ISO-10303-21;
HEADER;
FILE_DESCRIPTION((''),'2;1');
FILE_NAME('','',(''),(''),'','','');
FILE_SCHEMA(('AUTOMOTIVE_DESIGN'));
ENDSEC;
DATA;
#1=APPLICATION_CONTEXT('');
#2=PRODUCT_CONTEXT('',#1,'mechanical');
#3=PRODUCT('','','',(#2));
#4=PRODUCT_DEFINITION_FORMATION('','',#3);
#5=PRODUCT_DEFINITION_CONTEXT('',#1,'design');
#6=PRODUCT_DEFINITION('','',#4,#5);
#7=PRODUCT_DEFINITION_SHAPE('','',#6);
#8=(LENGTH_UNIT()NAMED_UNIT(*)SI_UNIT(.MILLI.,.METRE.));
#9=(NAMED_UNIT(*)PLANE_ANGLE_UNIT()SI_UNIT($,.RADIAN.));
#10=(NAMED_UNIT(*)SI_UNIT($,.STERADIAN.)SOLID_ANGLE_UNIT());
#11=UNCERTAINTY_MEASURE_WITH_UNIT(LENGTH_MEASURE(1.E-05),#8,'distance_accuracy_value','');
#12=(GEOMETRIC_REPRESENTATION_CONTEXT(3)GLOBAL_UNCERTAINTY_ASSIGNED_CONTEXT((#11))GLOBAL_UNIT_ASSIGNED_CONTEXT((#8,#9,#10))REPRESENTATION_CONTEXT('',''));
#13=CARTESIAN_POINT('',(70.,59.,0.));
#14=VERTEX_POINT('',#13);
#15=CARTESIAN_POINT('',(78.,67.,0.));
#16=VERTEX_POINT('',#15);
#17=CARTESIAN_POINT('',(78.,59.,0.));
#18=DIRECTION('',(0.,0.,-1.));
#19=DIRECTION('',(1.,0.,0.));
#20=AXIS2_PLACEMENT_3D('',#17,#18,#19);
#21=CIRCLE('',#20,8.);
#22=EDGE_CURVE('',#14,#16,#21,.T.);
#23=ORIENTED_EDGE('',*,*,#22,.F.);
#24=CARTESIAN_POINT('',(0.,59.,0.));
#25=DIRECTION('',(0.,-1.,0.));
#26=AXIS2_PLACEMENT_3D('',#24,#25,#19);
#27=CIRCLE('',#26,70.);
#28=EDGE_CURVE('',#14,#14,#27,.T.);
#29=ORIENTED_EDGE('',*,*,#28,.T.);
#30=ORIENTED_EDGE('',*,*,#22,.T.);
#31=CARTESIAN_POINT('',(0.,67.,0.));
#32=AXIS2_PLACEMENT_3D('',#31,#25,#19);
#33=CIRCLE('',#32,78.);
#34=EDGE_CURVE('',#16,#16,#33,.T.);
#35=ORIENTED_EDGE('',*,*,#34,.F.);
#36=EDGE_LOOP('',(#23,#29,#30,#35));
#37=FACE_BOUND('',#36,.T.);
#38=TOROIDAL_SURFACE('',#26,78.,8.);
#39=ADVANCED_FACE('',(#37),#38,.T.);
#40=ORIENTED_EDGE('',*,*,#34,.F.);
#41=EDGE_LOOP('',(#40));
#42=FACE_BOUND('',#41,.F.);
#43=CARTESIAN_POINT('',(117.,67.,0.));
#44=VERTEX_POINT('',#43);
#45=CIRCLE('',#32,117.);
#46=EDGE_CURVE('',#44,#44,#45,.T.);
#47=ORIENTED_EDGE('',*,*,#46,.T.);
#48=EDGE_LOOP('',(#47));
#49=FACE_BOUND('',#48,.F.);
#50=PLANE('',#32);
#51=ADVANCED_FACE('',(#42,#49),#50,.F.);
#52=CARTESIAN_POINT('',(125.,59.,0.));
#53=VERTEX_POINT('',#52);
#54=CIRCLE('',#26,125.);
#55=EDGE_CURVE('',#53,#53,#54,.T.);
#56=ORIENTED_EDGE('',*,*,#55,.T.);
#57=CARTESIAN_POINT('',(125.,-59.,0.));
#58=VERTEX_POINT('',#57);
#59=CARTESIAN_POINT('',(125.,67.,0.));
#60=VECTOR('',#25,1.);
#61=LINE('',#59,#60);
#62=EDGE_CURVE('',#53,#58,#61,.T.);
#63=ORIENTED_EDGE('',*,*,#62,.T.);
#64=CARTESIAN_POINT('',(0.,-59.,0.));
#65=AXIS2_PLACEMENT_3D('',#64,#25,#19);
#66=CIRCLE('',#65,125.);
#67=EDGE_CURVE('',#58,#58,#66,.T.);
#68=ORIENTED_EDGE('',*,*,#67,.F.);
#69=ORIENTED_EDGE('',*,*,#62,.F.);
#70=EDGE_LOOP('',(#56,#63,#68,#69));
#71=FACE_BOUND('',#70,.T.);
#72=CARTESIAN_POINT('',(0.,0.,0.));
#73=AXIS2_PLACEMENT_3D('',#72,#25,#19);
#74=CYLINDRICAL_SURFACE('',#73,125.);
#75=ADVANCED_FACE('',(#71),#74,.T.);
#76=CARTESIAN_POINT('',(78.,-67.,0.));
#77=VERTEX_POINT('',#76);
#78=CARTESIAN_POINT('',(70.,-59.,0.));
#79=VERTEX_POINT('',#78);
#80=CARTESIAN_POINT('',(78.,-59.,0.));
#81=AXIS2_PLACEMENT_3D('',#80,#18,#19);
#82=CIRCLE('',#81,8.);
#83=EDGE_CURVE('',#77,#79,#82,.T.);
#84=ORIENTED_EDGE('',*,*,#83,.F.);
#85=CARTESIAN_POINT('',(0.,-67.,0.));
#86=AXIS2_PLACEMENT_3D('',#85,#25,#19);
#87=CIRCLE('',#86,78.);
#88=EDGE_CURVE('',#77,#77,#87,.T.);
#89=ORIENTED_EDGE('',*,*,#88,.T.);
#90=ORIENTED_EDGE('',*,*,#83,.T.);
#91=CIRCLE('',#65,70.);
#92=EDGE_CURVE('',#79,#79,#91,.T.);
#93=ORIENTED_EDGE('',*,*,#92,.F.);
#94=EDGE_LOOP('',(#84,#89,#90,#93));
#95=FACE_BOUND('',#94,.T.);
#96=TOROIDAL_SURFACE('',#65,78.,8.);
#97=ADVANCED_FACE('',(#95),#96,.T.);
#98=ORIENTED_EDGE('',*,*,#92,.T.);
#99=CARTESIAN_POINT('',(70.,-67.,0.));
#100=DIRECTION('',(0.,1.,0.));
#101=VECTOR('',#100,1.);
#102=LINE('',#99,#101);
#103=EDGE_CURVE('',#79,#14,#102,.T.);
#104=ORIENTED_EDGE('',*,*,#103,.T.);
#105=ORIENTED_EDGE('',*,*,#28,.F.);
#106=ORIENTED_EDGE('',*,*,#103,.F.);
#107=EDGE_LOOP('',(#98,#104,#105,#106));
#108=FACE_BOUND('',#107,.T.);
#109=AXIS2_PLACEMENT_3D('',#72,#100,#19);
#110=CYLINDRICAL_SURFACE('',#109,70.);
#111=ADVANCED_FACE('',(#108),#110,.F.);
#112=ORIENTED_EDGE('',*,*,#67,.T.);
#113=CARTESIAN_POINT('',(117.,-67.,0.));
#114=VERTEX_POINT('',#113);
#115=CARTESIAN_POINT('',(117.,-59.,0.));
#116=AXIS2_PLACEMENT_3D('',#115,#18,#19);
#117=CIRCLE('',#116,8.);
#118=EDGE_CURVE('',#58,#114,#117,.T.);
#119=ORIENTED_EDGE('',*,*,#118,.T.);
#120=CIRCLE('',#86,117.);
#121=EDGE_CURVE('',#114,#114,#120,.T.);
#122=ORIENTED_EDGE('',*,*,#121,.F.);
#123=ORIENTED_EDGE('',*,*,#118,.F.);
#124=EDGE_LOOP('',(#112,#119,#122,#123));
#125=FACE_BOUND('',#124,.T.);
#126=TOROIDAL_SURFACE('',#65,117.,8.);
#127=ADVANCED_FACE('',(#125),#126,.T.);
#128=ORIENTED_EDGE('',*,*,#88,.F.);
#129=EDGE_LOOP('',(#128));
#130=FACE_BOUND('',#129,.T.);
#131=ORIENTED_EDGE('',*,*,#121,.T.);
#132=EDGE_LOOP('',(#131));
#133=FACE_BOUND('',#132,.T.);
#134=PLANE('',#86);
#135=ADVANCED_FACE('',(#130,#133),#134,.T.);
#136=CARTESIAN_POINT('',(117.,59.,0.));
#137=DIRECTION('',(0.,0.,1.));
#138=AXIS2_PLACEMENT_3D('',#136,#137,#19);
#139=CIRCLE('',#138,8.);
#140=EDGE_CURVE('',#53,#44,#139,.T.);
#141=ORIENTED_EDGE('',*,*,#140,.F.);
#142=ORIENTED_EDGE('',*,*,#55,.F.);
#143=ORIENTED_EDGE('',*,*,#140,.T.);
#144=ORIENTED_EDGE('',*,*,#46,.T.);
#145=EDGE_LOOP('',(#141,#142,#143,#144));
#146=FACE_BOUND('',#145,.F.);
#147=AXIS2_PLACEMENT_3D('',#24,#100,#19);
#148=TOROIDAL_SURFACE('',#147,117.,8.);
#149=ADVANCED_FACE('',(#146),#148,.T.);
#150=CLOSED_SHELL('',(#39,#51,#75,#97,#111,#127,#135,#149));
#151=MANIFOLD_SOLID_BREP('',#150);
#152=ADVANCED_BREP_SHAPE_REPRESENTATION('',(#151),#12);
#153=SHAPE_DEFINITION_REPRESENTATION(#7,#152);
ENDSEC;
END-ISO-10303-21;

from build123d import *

# Parameters (mm, degrees)
F0_R     = 125
F0_R_2   = 70
F1_DEPTH = 67
F2_R     = 8


with BuildPart() as f1:
    # F0 (on Front) → F1 (new body, symmetric)
    with BuildSketch(Plane.XZ):
        Circle(F0_R)
        Circle(F0_R_2, mode=Mode.SUBTRACT)
    extrude(amount=F1_DEPTH, both=True)

    # F2
    f2_edges = [f1.edges().sort_by_distance(p)[0] for p in [
        (-125, -67, 0),
        (-125, 67, 0),
        (-70, 67, 0),
        (-70, -67, 0),
    ]]
    fillet(f2_edges, radius=F2_R)


solid = f1.part
